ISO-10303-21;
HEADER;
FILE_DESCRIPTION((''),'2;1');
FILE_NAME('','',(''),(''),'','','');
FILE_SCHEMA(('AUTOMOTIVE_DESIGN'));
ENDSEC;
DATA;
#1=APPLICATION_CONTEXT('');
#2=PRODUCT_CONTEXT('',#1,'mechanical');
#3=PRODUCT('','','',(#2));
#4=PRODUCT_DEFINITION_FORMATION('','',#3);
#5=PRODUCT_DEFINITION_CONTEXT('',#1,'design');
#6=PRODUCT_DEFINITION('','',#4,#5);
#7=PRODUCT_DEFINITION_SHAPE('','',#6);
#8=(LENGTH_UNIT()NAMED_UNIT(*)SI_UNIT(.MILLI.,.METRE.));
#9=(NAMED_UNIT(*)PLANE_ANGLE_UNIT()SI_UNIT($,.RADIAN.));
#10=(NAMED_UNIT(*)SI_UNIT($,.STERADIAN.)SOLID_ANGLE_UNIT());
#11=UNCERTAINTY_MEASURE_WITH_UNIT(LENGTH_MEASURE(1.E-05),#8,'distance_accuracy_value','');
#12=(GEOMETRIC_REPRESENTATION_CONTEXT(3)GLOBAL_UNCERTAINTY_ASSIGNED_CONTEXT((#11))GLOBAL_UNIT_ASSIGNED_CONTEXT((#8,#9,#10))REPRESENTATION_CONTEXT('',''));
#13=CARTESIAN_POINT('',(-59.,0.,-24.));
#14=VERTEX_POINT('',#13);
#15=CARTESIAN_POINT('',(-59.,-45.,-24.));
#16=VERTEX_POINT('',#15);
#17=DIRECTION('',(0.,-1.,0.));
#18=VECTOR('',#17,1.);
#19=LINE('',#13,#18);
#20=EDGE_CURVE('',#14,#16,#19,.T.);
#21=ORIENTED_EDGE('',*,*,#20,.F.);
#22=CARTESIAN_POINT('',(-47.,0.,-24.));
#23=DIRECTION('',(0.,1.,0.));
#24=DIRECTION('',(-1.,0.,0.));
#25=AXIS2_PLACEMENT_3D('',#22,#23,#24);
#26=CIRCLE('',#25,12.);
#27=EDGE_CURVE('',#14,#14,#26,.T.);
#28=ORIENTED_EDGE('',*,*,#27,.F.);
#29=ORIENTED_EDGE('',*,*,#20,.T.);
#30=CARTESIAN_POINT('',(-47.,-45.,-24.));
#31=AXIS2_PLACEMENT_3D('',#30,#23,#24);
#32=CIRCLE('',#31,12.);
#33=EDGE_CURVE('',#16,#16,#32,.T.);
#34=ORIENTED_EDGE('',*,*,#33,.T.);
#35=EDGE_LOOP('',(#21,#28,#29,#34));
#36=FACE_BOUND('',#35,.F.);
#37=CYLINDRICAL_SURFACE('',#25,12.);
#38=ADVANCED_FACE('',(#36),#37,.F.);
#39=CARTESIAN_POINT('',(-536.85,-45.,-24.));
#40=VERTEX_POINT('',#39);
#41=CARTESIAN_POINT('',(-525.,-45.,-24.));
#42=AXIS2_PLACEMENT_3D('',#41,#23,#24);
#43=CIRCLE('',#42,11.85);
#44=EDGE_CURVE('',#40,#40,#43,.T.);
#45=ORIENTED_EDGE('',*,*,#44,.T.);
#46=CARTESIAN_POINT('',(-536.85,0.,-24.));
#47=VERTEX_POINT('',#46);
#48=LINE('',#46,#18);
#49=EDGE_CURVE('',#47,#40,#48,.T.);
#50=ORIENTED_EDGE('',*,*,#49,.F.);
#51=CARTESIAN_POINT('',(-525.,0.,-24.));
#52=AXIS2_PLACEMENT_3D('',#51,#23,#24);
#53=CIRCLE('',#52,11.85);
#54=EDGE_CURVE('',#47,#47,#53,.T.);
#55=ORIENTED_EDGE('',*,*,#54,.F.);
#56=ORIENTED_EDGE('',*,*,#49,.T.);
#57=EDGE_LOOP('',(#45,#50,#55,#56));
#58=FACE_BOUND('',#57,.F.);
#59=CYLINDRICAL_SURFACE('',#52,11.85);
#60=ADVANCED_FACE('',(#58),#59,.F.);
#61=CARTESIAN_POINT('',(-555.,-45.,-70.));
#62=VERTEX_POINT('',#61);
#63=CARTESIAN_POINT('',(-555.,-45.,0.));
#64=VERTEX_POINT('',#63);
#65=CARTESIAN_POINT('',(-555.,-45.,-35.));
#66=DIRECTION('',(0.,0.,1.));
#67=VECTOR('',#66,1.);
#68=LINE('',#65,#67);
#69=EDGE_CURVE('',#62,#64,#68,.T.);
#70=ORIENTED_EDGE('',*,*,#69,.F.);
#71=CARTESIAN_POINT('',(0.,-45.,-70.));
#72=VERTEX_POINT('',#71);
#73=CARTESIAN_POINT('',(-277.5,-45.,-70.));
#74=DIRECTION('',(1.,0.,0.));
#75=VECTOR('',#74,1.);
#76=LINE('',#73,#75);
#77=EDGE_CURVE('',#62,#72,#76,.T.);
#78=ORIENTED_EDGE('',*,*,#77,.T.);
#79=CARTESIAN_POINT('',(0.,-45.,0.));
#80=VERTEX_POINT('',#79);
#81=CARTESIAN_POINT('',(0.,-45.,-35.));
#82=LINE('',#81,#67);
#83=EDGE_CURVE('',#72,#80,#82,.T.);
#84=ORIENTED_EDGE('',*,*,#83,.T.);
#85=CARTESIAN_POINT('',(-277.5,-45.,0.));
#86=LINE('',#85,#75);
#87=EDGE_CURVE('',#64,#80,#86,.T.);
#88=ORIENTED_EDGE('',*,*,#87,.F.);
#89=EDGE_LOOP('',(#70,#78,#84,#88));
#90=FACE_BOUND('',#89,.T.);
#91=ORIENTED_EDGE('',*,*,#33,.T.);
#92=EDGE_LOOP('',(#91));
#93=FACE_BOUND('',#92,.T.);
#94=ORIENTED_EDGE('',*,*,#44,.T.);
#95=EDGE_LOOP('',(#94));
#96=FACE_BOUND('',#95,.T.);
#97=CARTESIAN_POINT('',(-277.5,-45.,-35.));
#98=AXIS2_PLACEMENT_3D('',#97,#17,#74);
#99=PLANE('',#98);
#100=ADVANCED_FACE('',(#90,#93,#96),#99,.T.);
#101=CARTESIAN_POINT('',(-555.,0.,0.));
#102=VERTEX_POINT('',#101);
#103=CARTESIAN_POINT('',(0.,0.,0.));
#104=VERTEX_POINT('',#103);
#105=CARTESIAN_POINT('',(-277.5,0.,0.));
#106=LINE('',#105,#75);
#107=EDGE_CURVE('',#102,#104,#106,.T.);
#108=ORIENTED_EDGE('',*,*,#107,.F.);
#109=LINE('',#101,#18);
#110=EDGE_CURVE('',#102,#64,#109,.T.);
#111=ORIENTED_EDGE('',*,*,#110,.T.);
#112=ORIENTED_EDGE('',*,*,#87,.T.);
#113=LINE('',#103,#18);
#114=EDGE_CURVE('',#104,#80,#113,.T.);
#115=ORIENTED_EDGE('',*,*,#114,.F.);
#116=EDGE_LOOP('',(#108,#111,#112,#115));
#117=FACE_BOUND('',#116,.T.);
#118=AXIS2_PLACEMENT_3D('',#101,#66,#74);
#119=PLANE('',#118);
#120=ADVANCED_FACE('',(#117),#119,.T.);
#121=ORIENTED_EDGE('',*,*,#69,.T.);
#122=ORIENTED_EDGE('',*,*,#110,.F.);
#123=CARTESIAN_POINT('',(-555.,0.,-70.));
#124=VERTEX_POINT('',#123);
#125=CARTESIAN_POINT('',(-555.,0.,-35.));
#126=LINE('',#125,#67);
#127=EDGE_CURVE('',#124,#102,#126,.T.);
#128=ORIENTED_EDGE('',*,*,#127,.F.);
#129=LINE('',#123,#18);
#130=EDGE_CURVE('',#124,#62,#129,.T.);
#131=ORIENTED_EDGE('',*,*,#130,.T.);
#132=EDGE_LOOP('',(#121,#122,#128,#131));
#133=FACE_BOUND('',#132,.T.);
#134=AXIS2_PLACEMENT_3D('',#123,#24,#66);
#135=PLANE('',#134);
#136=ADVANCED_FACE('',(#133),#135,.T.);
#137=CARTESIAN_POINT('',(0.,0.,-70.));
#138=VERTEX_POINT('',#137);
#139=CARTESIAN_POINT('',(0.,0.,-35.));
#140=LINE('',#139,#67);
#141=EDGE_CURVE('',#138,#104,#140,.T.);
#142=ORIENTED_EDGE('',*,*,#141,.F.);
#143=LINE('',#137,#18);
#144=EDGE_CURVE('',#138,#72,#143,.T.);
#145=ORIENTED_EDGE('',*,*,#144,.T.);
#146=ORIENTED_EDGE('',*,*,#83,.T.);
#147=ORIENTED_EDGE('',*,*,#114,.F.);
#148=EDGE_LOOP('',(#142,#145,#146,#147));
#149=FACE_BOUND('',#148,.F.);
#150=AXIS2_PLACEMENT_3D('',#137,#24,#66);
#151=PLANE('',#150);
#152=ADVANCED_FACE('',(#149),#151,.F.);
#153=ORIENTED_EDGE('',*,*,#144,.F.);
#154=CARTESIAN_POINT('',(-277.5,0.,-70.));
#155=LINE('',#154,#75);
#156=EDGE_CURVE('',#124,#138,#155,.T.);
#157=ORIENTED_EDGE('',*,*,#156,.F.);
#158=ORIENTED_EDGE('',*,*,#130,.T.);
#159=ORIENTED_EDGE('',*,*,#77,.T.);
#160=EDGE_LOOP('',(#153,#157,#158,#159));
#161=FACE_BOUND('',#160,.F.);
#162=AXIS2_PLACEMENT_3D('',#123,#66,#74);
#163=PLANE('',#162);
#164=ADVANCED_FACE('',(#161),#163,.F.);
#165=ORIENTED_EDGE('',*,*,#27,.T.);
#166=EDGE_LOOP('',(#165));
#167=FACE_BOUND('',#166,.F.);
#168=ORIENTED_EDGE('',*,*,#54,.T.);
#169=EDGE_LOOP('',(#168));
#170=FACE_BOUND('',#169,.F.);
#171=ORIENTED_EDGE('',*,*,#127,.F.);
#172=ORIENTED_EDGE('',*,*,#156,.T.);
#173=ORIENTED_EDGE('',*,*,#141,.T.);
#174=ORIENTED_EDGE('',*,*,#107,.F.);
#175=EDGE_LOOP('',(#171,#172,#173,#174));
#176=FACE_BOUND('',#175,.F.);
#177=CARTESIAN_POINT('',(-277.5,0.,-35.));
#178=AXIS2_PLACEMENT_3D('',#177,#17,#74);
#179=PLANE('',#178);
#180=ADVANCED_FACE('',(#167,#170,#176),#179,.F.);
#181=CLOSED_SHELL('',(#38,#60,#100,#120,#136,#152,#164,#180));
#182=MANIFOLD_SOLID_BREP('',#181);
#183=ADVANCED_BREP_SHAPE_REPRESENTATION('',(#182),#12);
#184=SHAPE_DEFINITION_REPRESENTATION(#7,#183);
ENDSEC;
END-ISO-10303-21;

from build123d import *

# Parameters (mm, degrees)
F0_W     = 555
F0_H     = 70
F1_DEPTH = 45
F2_R     = 11.85
F3_DEPTH = 45.001
F4_R     = 12
F5_DEPTH = 45.001


with BuildPart() as f1:
    # F0 (on Front) → F1 (new body)
    with BuildSketch(Plane.XZ):
        with Locations((-277.5, -35)):
            Rectangle(F0_W, F0_H)
    extrude(amount=F1_DEPTH)

    # F2 (on face) → F3 (cut, through all)
    with BuildSketch(Plane(origin=(0, 0, 0), x_dir=(-1, 0, 0), z_dir=(0, 1, 0))):
        with Locations((525, -24)):
            Circle(F2_R)
    extrude(amount=-F3_DEPTH, mode=Mode.SUBTRACT)

    # F4 (on face) → F5 (cut, through all)
    with BuildSketch(Plane(origin=(0, 0, 0), x_dir=(-1, 0, 0), z_dir=(0, 1, 0))):
        with Locations((47, -24)):
            Circle(F4_R)
    extrude(amount=-F5_DEPTH, mode=Mode.SUBTRACT)


solid = f1.part
